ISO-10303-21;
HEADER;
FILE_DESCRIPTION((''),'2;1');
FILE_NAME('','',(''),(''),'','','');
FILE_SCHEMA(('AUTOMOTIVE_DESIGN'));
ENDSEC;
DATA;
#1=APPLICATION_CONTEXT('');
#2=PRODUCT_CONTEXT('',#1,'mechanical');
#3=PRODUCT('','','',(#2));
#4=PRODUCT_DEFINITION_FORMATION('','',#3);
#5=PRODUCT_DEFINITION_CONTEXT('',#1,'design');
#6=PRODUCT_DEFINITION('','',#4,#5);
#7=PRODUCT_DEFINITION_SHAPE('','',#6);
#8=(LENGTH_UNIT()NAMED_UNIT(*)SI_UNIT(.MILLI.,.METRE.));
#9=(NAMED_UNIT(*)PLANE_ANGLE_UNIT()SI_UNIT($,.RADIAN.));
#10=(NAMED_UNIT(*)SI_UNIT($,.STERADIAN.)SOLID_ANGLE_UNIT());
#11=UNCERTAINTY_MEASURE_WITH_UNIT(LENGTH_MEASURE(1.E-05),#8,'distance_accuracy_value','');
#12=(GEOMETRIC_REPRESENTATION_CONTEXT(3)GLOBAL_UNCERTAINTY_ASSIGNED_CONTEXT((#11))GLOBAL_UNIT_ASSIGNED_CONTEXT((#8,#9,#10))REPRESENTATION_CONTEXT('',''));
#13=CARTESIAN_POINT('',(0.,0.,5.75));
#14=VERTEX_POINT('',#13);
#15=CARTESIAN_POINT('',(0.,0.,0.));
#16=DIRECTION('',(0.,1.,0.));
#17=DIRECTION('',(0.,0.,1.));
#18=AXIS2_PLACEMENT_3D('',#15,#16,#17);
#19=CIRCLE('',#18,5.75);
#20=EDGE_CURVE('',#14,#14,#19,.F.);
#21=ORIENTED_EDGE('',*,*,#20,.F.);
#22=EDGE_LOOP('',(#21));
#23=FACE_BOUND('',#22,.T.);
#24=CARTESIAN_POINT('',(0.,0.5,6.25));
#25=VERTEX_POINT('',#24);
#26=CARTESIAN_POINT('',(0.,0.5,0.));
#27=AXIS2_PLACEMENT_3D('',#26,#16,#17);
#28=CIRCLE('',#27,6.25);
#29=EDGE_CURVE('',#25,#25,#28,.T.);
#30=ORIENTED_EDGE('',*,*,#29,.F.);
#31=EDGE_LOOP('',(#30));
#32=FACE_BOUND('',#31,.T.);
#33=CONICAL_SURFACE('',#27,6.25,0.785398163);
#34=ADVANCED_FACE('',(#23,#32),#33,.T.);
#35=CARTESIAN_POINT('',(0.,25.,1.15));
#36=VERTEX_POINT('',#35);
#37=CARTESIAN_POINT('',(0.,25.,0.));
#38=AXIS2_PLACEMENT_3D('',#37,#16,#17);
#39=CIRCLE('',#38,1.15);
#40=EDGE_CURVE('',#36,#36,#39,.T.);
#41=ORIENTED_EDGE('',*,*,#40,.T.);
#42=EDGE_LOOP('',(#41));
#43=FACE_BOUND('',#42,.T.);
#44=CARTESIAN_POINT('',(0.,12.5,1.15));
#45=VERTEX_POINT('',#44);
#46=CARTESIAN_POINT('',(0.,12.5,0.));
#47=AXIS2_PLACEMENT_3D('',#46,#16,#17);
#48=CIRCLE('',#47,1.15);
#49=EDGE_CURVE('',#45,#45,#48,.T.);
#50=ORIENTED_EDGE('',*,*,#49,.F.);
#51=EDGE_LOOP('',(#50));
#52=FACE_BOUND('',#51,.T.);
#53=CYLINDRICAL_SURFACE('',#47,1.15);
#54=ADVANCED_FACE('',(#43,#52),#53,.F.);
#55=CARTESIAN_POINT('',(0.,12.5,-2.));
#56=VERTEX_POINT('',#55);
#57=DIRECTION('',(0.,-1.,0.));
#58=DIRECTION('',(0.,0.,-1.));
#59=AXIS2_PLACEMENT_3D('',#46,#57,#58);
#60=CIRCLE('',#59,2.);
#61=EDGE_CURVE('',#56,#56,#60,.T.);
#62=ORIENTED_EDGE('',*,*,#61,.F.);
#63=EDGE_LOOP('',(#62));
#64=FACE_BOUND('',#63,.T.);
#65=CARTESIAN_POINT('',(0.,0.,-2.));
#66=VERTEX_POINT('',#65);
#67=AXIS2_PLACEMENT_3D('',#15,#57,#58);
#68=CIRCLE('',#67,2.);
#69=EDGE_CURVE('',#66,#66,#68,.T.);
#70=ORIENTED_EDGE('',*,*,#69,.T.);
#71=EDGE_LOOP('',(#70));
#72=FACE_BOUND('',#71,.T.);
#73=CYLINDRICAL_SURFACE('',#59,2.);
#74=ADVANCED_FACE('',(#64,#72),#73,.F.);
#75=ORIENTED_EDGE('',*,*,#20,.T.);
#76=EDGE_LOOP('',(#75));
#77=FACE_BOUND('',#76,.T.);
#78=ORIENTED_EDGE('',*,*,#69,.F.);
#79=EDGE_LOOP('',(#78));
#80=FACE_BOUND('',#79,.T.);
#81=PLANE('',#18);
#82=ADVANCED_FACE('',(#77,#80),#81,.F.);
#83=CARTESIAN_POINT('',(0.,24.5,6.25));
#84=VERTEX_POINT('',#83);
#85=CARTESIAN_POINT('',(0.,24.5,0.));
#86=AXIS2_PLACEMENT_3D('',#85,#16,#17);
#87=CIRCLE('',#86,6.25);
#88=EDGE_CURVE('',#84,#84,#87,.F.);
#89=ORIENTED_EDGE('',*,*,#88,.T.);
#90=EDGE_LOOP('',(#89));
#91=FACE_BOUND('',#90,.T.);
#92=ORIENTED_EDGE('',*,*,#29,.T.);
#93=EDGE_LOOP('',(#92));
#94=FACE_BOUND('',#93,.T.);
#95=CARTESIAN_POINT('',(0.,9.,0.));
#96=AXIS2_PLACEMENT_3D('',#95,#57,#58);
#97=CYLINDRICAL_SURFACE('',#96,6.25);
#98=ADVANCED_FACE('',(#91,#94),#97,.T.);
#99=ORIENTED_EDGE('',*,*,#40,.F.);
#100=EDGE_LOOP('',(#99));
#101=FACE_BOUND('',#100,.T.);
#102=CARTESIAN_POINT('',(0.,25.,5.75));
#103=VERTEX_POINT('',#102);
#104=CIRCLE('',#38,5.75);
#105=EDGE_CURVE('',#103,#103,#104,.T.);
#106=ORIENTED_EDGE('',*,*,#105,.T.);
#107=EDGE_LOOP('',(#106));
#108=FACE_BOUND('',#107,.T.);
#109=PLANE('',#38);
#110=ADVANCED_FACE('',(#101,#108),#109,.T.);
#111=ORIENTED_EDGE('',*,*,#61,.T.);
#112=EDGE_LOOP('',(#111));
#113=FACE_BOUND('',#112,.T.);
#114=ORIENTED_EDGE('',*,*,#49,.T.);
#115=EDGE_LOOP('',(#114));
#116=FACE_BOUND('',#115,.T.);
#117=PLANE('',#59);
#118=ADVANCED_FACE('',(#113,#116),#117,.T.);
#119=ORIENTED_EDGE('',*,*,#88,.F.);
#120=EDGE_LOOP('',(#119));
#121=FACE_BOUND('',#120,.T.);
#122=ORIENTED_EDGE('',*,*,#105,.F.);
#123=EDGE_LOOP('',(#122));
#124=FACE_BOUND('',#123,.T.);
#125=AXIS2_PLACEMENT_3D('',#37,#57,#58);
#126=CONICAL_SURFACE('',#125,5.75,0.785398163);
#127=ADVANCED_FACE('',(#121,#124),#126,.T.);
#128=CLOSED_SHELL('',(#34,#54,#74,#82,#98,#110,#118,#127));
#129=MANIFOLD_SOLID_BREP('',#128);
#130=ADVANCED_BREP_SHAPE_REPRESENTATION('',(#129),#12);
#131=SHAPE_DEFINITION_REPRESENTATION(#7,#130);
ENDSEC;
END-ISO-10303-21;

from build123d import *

# Parameters (mm, degrees)
SKETCH2_R           = 6.25
BOSS_EXTRUDE1_DEPTH = 9
SKETCH3_R           = 6.25
BOSS_EXTRUDE2_DEPTH = 7
SKETCH4_R           = 6.25
BOSS_EXTRUDE3_DEPTH = 9
SKETCH5_R           = 2
CUT_EXTRUDE1_DEPTH  = 12.5
SKETCH6_R           = 1.15
CUT_EXTRUDE2_DEPTH  = 12.5
CHAMFER2_SIZE       = 0.5


with BuildPart() as part:
    # Sketch2 → Boss-Extrude1 (new body)
    with BuildSketch(Plane(origin=(0, 0, 0), x_dir=(1, 0, 0), z_dir=(0, 1, 0))):
        with Locations(Location((0, 0, 0), (0, 0, 270))):
            Circle(SKETCH2_R)
    extrude(amount=BOSS_EXTRUDE1_DEPTH)

    # Sketch3 → Boss-Extrude2 (add)
    with BuildSketch(Plane(origin=(0, 9, 0), x_dir=(1, 0, 0), z_dir=(0, 1, 0))):
        with Locations(Location((0, 0, 0), (0, 0, 270))):
            Circle(SKETCH3_R)
    extrude(amount=BOSS_EXTRUDE2_DEPTH)

    # Sketch4 → Boss-Extrude3 (add)
    with BuildSketch(Plane(origin=(0, 16, 0), x_dir=(1, 0, 0), z_dir=(0, 1, 0))):
        with Locations(Location((0, 0, 0), (0, 0, 270))):
            Circle(SKETCH4_R)
    extrude(amount=BOSS_EXTRUDE3_DEPTH)

    # Sketch5 → Cut-Extrude1 (cut)
    with BuildSketch(Plane.XZ):
        with Locations(Location((0, 0, 0), (0, 0, 270))):
            Circle(SKETCH5_R)
    extrude(amount=-CUT_EXTRUDE1_DEPTH, mode=Mode.SUBTRACT)

    # Sketch6 → Cut-Extrude2 (cut)
    with BuildSketch(Plane(origin=(0, 25, 0), x_dir=(1, 0, 0), z_dir=(0, 1, 0))):
        with Locations(Location((0, 0, 0), (0, 0, 270))):
            Circle(SKETCH6_R)
    extrude(amount=-CUT_EXTRUDE2_DEPTH, mode=Mode.SUBTRACT)

    # Chamfer2
    chamfer2_edges = [part.edges().sort_by_distance(p)[0] for p in [
        (0, 25, -6.25),
        (0, 0, -6.25),
    ]]
    chamfer(chamfer2_edges, length=CHAMFER2_SIZE)


solid = part.part
